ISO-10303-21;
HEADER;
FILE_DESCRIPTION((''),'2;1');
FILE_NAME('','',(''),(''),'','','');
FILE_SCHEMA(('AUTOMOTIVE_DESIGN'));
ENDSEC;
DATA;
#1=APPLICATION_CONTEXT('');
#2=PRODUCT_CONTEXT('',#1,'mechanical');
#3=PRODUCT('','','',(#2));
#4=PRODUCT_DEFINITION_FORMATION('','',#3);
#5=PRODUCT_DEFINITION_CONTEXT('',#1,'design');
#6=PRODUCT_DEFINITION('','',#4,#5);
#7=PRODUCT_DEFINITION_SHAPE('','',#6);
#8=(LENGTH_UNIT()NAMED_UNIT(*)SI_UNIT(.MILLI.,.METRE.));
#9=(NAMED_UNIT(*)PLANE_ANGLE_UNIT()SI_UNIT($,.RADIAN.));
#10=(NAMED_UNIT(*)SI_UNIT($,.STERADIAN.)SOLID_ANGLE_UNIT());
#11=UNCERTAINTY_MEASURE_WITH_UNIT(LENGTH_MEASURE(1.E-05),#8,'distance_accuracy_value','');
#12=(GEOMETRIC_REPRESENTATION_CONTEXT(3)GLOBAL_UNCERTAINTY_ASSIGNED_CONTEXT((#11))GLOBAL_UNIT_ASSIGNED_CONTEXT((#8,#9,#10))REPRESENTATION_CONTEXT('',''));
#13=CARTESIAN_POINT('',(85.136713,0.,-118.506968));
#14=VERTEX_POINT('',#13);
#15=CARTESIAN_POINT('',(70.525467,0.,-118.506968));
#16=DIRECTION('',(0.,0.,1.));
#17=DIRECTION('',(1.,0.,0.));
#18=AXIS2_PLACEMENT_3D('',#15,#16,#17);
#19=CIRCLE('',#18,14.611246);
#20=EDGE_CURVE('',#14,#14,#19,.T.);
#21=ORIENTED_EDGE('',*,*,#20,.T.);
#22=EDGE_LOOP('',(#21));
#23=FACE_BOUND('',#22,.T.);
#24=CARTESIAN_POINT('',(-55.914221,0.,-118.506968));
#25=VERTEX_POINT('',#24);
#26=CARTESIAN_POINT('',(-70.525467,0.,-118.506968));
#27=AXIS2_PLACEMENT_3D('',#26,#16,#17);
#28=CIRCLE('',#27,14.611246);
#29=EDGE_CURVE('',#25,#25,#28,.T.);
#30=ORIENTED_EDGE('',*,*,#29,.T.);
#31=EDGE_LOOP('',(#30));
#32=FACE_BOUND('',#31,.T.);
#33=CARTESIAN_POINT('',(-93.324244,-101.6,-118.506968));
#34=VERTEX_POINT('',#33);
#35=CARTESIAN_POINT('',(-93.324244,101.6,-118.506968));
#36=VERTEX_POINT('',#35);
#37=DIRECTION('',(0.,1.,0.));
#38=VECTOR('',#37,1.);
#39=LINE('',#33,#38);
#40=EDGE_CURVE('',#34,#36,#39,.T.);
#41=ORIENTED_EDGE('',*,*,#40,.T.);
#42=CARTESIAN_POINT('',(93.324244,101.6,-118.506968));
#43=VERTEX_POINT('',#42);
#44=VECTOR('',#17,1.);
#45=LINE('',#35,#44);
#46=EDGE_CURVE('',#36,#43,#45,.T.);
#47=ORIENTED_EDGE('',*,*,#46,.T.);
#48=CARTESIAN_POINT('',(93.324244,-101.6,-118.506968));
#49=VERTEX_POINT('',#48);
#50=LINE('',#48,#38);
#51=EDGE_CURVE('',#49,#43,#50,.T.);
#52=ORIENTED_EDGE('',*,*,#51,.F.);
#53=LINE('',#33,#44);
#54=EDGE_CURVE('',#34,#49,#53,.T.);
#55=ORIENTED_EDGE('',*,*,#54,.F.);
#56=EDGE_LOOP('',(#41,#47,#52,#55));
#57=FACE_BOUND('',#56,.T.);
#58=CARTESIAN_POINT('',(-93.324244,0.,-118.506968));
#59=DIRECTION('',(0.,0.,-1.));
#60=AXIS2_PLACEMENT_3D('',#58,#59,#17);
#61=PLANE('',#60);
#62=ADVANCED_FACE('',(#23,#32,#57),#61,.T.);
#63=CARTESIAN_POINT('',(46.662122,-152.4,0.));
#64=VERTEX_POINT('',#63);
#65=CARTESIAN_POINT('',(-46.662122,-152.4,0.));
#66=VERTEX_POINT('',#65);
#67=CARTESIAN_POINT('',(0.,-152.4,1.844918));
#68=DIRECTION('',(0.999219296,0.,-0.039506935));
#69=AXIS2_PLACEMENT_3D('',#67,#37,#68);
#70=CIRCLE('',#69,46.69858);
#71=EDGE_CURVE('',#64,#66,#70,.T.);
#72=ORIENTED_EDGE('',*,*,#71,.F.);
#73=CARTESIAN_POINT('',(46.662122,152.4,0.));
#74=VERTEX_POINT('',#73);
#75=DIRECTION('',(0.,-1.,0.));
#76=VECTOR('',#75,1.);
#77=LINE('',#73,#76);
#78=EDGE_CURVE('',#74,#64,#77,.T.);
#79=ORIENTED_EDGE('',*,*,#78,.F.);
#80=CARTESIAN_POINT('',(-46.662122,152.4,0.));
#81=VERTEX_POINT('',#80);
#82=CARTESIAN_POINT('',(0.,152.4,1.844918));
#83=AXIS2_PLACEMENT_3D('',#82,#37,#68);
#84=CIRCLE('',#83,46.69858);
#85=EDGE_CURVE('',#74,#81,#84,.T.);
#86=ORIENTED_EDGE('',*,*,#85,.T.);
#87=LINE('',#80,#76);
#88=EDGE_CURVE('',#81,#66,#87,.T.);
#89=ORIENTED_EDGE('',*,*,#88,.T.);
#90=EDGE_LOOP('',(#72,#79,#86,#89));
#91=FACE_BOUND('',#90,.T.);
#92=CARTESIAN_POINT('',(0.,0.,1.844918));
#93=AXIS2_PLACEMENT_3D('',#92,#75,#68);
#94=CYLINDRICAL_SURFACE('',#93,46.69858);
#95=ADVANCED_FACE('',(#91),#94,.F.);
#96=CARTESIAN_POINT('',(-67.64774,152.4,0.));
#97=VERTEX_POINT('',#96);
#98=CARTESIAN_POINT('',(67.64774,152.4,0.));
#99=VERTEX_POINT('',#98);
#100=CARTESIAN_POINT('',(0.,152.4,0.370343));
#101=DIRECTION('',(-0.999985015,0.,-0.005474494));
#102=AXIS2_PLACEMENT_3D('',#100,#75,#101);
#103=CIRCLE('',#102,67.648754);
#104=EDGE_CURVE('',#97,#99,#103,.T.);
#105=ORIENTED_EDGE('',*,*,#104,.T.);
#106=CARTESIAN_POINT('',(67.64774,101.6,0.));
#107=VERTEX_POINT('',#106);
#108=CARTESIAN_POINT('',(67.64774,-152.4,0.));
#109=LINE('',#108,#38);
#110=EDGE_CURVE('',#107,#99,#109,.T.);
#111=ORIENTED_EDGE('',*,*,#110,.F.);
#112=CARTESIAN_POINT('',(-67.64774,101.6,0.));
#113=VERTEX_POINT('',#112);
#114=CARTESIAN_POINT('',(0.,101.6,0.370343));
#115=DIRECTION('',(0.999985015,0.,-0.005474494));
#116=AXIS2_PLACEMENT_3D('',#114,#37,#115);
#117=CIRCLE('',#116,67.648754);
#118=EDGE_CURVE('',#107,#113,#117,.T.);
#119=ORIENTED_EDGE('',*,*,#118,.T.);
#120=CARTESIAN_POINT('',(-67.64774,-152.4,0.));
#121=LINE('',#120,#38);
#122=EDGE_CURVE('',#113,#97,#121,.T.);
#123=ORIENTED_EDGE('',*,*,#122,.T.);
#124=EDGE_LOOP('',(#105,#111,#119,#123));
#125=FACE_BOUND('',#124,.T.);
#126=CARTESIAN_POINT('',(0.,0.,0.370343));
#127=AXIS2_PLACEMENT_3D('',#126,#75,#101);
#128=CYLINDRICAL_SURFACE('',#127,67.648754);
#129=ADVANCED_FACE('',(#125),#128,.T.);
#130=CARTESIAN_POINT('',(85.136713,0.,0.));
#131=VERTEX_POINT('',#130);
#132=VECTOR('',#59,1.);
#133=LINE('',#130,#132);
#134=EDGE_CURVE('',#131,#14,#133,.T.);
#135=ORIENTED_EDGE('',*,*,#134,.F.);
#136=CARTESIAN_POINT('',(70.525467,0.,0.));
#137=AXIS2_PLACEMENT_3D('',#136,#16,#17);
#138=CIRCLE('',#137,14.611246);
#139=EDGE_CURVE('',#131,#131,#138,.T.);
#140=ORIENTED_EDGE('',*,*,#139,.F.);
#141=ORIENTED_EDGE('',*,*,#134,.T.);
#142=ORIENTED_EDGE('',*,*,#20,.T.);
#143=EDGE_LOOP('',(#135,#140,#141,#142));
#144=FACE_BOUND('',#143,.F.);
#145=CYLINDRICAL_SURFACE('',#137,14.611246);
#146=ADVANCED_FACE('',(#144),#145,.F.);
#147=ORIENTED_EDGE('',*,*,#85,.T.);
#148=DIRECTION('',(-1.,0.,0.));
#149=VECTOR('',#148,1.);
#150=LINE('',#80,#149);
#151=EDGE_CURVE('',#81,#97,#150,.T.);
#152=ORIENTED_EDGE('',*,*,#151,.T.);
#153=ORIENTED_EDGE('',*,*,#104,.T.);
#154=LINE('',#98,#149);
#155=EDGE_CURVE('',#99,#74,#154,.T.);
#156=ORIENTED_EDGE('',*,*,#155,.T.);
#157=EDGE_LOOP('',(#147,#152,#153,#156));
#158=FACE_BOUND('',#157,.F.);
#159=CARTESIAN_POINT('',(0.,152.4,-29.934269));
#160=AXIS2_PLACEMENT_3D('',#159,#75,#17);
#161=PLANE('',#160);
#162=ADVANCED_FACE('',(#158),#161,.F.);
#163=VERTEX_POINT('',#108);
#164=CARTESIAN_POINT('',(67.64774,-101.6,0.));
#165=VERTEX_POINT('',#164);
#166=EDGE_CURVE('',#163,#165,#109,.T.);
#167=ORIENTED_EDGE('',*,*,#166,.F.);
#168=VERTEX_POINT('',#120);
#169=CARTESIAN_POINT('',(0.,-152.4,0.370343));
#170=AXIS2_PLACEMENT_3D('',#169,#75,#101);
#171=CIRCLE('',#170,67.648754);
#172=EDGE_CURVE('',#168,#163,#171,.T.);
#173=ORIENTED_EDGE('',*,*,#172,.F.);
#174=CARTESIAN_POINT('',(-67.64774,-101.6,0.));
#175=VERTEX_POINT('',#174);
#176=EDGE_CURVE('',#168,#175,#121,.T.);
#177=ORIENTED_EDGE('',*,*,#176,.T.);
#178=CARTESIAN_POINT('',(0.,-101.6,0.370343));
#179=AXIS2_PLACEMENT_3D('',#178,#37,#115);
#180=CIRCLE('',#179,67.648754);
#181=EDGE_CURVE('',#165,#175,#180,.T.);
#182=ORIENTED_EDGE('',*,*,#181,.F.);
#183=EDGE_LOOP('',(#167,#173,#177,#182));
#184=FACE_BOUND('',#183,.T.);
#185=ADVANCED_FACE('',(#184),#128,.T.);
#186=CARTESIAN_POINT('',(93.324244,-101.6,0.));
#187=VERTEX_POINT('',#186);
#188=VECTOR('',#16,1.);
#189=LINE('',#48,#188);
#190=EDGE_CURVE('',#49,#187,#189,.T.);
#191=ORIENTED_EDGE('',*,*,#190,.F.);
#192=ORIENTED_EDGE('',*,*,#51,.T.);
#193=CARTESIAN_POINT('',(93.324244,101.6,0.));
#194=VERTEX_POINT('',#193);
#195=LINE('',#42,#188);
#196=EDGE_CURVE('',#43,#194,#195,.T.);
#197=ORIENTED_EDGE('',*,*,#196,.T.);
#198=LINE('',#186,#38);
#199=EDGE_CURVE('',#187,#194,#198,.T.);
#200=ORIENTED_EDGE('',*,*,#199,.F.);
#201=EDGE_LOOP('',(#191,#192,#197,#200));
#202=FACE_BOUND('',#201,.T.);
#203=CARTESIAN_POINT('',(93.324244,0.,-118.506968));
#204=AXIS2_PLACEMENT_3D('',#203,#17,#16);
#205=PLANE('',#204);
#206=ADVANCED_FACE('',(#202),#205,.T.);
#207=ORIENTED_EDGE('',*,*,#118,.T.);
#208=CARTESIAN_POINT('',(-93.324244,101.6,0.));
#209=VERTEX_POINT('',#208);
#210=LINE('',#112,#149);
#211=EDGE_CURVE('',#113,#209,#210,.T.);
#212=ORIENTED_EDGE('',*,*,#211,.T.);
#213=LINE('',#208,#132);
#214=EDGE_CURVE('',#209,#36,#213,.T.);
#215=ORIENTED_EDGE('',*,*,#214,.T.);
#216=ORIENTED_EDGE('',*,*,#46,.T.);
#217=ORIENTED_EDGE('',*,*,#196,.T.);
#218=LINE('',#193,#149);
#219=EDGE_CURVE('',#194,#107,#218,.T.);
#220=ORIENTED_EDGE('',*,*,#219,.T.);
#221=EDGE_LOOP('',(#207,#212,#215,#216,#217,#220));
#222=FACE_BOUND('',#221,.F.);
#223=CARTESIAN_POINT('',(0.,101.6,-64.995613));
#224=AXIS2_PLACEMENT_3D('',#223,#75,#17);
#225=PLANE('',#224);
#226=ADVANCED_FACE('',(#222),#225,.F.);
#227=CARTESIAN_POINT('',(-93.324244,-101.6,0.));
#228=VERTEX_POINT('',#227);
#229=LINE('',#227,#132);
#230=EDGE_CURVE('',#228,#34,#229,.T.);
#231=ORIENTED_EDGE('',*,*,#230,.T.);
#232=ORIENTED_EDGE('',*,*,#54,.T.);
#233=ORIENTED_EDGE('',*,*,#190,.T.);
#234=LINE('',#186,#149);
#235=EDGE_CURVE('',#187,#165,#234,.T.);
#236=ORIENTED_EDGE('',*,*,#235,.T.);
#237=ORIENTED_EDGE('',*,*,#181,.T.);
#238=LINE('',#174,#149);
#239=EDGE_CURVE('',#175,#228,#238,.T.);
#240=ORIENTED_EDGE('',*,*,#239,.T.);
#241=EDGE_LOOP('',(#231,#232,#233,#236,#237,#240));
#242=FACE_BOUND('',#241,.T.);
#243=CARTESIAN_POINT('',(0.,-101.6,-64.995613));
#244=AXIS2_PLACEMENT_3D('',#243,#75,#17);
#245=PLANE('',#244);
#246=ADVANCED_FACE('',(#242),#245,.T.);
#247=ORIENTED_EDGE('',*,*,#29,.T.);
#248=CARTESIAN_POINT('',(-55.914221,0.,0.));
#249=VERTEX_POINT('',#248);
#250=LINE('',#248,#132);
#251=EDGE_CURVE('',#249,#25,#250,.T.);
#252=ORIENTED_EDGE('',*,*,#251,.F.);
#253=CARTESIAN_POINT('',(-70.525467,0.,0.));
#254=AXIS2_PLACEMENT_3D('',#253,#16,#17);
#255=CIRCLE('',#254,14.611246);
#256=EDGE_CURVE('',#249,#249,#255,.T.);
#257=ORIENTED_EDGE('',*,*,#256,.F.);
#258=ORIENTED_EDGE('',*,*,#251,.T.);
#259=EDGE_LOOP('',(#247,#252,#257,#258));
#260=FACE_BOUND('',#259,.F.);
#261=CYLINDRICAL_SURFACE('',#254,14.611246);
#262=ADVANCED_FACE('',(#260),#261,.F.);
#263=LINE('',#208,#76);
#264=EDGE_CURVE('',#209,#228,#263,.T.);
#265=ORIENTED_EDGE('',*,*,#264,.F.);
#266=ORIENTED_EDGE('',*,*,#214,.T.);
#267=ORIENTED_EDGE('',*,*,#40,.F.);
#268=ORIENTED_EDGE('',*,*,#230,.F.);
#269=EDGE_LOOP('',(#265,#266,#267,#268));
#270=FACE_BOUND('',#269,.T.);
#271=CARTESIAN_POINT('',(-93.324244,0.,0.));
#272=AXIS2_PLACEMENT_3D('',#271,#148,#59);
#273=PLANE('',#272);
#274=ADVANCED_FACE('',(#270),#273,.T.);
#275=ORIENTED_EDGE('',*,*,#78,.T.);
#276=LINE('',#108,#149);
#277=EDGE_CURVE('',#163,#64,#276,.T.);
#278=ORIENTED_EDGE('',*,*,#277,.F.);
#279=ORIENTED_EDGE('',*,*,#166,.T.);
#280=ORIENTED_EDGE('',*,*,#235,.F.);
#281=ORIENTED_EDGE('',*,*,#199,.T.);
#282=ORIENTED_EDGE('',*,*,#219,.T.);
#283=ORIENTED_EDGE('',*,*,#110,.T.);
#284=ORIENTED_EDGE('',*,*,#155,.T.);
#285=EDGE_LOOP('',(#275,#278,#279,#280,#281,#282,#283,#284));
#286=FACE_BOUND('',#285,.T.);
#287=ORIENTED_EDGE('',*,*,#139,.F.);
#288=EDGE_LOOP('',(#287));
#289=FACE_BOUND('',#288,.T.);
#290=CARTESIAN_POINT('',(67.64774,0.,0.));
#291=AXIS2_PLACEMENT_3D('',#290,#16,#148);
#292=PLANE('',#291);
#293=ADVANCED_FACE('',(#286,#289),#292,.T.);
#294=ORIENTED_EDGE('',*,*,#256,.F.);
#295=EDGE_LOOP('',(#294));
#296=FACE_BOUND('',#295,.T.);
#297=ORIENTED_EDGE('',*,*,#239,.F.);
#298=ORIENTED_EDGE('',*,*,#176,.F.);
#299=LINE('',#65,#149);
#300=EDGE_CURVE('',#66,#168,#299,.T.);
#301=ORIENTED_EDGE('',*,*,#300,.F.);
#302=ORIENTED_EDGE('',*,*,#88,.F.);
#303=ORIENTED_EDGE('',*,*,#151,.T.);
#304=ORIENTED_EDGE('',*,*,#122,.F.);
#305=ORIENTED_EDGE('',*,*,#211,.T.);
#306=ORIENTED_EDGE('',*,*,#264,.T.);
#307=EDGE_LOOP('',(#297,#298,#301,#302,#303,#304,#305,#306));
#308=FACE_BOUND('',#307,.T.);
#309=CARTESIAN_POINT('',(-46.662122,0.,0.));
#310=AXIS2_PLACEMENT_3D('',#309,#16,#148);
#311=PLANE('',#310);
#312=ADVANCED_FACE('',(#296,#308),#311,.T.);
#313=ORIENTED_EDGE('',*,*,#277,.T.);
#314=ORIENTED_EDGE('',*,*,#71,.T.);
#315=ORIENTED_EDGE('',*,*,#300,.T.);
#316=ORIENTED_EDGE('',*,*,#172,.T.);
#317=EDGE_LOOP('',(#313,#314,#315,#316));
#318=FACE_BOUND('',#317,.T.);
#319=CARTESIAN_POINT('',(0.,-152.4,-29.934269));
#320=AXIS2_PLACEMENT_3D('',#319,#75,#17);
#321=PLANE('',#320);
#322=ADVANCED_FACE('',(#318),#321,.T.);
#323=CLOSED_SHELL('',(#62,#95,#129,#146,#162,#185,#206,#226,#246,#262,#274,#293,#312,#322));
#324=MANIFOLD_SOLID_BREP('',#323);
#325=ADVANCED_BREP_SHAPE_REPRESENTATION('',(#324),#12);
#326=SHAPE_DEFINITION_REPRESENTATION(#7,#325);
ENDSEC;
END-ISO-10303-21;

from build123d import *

# Parameters (mm, degrees)
F1_DEPTH = 152.4
F2_DEPTH = 101.6
F3_R     = 14.611246
F4_DEPTH = 161.29


with BuildPart() as f1:
    # F0 (on Front) → F1 (new body, symmetric)
    with BuildSketch(Plane.XZ):
        with BuildLine():
            Line((67.64774, 0), (46.662122, 0))
            ThreePointArc((46.662122, 0), (0, -44.853662), (-46.662122, 0))
            Line((-46.662122, 0), (-67.64774, 0))
            ThreePointArc((-67.64774, 0), (0, -67.278411), (67.64774, 0))
        make_face()
    extrude(amount=F1_DEPTH, both=True)

    # F0 (on Front) → F2 (join, symmetric)
    with BuildSketch(Plane.XZ):
        with BuildLine():
            Line((93.324244, 0), (67.64774, 0))
            ThreePointArc((67.64774, 0), (0, -67.278411), (-67.64774, 0))
            Line((-67.64774, 0), (-93.324244, 0))
            Line((-93.324244, 0), (-93.324244, -118.506968))
            Line((-93.324244, -118.506968), (0, -118.506968))
            Line((0, -118.506968), (93.324244, -118.506968))
            Line((93.324244, -118.506968), (93.324244, 0))
        make_face()
    extrude(amount=F2_DEPTH, both=True)

    # F3 (on Top) → F4 (cut)
    with BuildSketch(Plane.XY):
        with Locations((-70.525467, 0)):
            Circle(F3_R)
        with Locations((70.525467, 0)):
            Circle(F3_R)
    extrude(amount=-F4_DEPTH, mode=Mode.SUBTRACT)


solid = f1.part
